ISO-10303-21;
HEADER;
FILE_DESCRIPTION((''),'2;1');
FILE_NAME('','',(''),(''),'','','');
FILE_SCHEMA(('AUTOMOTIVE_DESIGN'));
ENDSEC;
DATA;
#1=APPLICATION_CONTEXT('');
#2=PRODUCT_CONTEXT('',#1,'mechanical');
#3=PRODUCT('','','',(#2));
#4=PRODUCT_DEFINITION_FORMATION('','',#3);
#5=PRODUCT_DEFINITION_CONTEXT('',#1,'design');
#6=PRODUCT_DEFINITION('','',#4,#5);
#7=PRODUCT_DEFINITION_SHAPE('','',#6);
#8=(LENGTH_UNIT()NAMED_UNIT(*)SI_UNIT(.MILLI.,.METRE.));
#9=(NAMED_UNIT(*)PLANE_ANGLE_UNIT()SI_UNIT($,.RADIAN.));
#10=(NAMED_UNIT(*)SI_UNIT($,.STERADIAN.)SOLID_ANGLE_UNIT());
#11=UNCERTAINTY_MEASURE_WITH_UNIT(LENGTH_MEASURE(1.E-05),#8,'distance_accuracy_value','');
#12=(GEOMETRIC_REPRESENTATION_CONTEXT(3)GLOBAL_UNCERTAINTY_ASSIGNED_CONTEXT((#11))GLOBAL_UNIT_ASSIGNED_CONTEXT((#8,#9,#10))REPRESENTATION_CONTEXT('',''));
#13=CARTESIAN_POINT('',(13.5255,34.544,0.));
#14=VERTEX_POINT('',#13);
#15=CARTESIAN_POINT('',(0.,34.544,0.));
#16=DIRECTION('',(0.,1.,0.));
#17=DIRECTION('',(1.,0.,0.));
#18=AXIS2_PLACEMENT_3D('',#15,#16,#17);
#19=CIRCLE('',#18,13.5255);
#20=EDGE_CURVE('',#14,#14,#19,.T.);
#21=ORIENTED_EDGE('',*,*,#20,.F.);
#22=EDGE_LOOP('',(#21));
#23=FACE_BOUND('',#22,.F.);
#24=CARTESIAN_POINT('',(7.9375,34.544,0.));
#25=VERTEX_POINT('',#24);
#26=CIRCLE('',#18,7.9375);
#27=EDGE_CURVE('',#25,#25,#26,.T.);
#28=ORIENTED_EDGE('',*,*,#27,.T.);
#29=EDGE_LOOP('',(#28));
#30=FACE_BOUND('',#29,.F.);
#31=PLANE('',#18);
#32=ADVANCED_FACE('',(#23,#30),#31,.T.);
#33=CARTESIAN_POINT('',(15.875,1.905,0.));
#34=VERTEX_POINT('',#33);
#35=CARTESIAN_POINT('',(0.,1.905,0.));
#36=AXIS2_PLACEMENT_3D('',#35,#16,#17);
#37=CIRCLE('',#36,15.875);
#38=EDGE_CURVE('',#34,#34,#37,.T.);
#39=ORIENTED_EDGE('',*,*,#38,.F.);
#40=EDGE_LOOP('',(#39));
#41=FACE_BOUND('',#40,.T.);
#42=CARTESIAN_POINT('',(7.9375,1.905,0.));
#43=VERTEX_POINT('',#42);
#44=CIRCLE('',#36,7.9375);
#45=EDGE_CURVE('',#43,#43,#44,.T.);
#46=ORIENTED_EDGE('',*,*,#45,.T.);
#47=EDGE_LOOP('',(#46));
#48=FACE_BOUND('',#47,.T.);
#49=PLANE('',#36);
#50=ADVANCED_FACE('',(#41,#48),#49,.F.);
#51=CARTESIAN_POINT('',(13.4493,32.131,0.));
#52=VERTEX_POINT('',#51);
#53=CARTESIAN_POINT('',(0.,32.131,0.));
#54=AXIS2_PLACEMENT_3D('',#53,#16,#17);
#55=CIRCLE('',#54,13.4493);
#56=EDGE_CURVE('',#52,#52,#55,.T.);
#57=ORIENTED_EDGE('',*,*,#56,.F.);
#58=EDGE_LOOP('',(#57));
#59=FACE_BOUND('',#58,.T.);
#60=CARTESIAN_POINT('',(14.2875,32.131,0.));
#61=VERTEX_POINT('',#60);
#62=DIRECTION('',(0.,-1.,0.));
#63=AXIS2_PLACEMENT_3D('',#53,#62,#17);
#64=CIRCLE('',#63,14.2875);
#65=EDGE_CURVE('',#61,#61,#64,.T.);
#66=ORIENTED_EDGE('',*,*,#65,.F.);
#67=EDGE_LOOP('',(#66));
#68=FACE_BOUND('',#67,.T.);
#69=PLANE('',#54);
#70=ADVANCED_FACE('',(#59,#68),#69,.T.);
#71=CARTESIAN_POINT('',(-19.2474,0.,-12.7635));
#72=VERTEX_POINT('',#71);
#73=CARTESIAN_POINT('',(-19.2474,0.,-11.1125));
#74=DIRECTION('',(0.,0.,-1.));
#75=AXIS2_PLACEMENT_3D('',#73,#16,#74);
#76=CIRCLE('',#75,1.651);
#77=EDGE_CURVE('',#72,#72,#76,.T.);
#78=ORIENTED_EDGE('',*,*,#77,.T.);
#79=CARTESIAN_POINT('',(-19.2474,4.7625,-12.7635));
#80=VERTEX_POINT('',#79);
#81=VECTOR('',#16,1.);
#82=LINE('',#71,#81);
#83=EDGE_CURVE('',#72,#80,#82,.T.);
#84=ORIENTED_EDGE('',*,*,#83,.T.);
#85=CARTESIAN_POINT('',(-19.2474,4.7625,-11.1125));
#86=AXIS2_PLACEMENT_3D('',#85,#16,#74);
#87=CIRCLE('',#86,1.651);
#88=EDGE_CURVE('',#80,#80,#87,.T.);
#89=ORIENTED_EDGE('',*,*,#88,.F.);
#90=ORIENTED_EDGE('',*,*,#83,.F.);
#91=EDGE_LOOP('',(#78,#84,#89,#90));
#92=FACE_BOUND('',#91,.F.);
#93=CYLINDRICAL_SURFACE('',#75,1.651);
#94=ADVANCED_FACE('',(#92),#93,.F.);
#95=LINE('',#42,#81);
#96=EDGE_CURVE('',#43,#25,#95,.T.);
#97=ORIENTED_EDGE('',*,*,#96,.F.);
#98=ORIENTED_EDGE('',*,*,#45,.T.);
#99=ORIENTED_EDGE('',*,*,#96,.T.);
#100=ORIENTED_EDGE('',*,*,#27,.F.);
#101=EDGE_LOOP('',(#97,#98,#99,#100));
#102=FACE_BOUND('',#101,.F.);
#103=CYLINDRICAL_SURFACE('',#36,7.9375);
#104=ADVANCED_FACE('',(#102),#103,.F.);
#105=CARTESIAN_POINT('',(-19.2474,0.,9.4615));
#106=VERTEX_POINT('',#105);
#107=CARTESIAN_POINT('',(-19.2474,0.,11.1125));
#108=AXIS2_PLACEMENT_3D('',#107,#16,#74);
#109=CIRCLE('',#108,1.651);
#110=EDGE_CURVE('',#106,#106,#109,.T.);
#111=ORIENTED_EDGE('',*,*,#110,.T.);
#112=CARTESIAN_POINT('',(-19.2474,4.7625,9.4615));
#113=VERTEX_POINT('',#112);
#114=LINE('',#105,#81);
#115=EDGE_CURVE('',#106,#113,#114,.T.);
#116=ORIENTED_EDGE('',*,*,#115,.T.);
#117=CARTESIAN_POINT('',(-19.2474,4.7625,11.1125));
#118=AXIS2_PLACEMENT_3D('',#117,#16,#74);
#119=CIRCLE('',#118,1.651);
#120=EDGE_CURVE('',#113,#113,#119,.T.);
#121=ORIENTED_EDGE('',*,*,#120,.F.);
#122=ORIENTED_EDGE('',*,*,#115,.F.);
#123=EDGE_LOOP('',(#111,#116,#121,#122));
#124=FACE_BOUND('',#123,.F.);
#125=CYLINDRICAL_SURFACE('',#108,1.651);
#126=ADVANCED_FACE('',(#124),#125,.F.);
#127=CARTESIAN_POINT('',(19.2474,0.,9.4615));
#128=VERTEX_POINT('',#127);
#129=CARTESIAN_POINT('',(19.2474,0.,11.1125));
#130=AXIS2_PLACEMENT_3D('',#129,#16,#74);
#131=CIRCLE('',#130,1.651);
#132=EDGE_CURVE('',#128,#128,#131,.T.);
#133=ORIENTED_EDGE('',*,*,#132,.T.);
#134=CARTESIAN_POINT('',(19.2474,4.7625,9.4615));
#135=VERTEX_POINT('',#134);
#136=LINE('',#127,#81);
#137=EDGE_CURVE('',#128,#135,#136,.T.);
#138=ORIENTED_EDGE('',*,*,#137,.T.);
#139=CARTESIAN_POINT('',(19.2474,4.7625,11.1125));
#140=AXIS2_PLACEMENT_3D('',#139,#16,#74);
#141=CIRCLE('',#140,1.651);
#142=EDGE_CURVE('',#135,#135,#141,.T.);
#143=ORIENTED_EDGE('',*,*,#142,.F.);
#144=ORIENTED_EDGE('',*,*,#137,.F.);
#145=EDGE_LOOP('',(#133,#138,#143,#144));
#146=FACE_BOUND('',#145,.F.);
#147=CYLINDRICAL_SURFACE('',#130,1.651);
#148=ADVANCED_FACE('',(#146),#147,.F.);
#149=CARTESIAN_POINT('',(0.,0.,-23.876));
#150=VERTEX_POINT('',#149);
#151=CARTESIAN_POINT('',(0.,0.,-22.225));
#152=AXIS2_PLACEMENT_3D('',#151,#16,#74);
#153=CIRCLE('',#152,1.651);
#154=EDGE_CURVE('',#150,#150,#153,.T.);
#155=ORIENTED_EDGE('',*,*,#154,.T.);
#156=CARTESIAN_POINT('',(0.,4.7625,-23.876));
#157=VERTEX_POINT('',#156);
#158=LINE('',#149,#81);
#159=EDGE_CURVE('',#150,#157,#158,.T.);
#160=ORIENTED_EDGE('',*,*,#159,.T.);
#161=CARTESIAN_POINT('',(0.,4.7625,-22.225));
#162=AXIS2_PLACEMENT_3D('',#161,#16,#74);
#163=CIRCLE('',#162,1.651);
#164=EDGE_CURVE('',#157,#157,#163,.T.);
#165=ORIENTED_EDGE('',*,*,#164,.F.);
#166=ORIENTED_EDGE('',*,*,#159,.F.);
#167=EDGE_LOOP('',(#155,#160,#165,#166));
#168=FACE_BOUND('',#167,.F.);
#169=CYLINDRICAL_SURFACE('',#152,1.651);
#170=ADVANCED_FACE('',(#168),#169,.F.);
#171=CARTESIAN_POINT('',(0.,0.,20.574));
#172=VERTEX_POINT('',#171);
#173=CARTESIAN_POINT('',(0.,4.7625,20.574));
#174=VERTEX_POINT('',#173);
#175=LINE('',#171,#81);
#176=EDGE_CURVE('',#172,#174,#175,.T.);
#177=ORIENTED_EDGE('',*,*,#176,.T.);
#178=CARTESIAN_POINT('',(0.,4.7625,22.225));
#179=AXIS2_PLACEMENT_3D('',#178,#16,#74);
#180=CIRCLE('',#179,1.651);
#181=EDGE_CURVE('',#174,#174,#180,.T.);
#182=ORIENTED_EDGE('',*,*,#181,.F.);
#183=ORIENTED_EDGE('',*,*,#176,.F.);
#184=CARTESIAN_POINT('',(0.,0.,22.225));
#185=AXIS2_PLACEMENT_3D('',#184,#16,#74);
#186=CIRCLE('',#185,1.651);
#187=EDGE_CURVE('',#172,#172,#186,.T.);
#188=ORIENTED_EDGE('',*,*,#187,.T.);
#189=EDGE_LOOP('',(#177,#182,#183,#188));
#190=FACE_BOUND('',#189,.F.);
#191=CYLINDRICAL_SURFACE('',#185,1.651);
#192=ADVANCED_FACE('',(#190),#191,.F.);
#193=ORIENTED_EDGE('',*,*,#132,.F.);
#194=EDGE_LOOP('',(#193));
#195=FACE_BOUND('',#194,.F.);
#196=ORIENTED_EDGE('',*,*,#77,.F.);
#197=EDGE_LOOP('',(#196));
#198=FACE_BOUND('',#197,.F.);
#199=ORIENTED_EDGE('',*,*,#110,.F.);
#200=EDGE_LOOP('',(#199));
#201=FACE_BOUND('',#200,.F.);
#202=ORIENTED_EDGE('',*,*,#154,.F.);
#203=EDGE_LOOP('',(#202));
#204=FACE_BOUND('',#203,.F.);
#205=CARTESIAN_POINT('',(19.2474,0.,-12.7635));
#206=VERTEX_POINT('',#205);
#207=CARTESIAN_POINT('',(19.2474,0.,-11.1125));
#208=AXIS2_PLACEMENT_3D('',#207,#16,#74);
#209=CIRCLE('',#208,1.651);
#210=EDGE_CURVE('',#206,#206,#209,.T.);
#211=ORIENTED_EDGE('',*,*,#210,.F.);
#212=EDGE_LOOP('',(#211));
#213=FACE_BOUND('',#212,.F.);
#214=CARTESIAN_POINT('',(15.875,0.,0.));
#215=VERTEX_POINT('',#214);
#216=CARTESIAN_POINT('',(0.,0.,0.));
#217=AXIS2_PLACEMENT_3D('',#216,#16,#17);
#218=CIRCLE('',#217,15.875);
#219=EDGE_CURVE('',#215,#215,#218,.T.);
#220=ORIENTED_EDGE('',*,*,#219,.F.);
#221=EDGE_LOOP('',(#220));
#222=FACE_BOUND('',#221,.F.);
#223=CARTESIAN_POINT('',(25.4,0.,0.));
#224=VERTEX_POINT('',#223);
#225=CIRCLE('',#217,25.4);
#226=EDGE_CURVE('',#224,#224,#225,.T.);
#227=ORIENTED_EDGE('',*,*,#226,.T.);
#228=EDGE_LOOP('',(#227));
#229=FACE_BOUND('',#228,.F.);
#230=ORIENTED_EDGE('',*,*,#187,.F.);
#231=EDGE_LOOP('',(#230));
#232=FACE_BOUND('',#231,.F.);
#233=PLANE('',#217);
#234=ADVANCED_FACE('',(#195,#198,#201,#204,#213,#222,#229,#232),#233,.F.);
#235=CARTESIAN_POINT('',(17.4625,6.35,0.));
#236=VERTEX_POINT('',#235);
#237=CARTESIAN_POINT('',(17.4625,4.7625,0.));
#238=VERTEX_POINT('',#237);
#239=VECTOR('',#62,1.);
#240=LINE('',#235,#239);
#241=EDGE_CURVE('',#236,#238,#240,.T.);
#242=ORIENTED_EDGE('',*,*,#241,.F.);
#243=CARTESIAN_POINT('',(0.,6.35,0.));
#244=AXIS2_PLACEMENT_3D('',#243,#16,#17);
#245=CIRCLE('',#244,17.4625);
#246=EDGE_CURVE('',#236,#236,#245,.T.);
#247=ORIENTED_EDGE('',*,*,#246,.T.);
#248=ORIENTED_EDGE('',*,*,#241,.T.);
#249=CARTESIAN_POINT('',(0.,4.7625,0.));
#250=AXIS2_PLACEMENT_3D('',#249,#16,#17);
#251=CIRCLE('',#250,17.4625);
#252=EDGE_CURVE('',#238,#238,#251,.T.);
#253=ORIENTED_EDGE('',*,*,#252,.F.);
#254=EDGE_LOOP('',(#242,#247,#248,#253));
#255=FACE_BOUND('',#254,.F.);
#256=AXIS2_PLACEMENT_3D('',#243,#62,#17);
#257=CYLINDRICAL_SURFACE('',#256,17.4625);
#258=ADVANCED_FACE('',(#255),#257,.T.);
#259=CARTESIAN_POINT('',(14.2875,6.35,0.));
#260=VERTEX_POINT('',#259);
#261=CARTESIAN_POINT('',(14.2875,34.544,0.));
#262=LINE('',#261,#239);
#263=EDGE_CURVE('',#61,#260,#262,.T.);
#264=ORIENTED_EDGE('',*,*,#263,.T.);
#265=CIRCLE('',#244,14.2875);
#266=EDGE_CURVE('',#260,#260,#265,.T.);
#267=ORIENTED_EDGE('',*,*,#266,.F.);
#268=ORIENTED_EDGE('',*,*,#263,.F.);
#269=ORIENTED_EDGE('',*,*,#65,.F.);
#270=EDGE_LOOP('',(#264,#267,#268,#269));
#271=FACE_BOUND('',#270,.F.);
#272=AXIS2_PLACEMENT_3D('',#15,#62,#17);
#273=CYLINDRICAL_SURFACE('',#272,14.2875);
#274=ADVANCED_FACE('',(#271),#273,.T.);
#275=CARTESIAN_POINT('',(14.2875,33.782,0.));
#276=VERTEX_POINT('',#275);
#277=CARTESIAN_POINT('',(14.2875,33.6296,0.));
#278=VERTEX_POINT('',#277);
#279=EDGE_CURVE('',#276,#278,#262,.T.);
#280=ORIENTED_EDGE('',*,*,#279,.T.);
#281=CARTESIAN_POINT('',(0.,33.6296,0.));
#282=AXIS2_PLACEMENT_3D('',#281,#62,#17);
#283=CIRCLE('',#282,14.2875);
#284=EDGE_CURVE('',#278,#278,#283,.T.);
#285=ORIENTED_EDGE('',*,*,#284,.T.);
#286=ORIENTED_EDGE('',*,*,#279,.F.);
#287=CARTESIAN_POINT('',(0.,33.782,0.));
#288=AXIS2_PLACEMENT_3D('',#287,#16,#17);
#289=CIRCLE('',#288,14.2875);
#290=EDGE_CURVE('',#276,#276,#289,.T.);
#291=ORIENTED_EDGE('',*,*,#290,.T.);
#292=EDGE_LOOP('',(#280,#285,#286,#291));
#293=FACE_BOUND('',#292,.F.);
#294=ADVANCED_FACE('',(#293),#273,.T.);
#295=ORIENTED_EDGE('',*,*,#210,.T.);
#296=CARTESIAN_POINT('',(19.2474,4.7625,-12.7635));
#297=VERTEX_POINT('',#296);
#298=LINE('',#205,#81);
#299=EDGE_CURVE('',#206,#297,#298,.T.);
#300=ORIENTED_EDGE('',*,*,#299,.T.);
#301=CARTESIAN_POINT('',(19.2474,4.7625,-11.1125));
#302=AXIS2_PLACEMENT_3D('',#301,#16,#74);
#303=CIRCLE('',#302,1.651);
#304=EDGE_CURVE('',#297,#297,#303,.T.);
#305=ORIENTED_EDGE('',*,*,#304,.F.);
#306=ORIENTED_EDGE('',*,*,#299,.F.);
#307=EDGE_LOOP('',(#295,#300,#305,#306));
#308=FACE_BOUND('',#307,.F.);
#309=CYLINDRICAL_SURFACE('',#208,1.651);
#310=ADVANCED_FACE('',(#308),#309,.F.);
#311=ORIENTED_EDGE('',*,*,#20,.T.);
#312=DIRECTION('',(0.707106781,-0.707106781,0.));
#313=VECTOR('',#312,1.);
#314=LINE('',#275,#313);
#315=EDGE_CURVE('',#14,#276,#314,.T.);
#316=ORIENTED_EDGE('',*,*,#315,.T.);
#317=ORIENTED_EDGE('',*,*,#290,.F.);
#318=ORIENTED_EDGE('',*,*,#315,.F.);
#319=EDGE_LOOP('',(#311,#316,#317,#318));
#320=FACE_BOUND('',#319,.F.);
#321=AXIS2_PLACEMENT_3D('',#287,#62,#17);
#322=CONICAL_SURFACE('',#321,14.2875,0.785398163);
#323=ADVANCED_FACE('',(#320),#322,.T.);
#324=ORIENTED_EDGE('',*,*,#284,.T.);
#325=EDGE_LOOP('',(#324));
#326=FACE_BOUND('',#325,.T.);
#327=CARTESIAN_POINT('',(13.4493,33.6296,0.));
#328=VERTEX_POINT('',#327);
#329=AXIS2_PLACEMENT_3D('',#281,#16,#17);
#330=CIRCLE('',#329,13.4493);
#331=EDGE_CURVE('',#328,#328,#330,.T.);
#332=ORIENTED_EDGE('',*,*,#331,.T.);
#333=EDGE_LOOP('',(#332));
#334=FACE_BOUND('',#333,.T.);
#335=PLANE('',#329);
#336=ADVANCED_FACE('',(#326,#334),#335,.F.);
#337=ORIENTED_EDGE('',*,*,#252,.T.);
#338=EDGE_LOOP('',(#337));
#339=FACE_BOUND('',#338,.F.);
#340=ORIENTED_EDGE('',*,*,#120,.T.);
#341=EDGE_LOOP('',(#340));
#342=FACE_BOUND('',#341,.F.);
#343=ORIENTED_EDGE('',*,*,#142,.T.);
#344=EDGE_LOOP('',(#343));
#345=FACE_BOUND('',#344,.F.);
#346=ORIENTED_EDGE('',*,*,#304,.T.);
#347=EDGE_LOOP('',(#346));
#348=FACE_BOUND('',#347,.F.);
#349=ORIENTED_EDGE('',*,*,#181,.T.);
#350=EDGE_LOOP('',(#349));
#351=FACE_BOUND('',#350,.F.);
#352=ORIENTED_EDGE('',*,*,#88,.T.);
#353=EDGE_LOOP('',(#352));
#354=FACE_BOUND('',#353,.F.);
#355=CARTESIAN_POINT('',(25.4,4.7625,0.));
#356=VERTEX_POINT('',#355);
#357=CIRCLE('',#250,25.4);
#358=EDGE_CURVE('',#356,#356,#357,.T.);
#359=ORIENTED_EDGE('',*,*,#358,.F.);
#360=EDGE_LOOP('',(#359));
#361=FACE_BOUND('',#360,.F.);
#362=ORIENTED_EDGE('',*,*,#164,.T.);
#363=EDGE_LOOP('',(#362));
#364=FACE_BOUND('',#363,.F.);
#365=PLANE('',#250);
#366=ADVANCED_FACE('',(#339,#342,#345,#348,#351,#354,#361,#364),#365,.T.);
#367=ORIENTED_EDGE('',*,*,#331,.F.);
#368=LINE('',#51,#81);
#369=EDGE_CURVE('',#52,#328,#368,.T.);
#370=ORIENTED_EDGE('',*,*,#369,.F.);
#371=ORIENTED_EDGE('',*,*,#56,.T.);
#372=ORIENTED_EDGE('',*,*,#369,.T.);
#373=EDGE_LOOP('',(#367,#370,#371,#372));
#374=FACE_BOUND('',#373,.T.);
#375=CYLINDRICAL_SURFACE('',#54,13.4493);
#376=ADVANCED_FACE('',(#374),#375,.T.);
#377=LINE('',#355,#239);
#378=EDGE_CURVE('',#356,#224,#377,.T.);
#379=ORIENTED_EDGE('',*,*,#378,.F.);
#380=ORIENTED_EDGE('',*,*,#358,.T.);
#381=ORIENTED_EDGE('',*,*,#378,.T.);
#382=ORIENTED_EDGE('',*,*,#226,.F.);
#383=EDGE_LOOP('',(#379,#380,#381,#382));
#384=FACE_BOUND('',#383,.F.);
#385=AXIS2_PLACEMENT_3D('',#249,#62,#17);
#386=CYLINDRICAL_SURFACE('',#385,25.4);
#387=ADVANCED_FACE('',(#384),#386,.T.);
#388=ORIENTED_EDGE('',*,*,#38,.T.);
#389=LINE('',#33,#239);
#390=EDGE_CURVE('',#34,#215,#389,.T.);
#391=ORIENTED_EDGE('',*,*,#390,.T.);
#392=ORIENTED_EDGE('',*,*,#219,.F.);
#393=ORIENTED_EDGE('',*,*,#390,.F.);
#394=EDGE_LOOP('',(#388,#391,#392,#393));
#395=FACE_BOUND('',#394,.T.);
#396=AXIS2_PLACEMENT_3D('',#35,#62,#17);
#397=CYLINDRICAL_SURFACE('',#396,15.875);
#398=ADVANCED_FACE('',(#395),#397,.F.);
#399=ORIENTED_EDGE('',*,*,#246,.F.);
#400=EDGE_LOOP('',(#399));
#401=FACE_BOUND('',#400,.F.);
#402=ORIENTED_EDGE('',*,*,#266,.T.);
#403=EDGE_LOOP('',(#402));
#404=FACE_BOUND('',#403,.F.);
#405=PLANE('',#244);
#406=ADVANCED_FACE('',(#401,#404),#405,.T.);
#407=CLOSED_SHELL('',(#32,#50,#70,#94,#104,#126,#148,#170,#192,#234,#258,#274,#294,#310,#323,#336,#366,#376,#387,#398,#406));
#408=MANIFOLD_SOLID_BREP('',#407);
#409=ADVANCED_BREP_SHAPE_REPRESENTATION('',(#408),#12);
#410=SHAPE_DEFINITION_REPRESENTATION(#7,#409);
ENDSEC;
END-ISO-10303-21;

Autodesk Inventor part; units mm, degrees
ref_plane "YZ Plane" through (0, 0, 0) normal (1, 0, 0) x (0, 1, 0)
ref_plane "XZ Plane" through (0, 0, 0) normal (0, 1, 0) x (-1, 0, 0)
ref_plane "XY Plane" through (0, 0, 0) normal (0, 0, 1) x (1, 0, 0)
sketch "Sketch1" plane through (0, 0, 0) normal (0, 0, 1) x (1, 0, 0)
  line L0 (0, 0) -> (0, 30.8582)
  line L1 (7.9375, 1.905) -> (7.9375, 34.544)
  line L2 (7.9375, 34.544) -> (14.2875, 34.544)
  line L3 (14.2875, 34.544) -> (14.2875, 6.35)
  line L4 (17.4625, 4.7625) -> (25.4, 4.7625)
  line L5 (25.4, 4.7625) -> (25.4, 0)
  line L6 (25.4, 0) -> (15.875, 0)
  line L7 (7.9375, 1.905) -> (15.875, 1.905)
  line L8 (15.875, 1.905) -> (15.875, 0)
  line L9 (14.2875, 6.35) -> (17.4625, 6.35)
  line L10 (17.4625, 6.35) -> (17.4625, 4.7625)
  dimension "d0" = 50.8
  dimension "d1" = 15.875
  dimension "d2" = 28.575
  dimension "d3" = 4.7625
  dimension "d19" = 31.75
  dimension "d20" = 1.905
  dimension "d30" = 34.925
  dimension "d31" = 1.5875
  dimension "d34" = 34.544
revolve "Revolution1" add sketch "Sketch1" angle 360 about axis through (0, 0, 0) along (0, 1, 0)
sketch "Sketch4" plane through (0, 0, 0) normal (0, 0, 1) x (1, 0, 0)
  line L0 (13.4493, 33.6296) -> (17.9779, 33.6296)
  line L1 (17.9779, 33.6296) -> (17.9779, 32.131)
  line L2 (17.9779, 32.131) -> (13.4493, 32.131)
  line L3 (13.4493, 32.131) -> (13.4493, 33.6296)
  line L4 (-25.4, 4.7625) -> (25.4, 4.7625) projected
  line L5 (-14.2875, 34.544) -> (14.2875, 34.544) projected
  line L6 (0, 34.544) -> (0, 40.6447)
  line L7 (-17.4625, 6.35) -> (17.4625, 6.35) projected
  point P0 (0, 0)
  dimension "d26" = 1.4986
  dimension "d27" = 26.8986
  dimension "d33" = 25.781
revolve "Revolution2" cut sketch "Sketch4" angle 360 about axis through (0, 34.544, 0) along (0, 1, 0)
chamfer "Chamfer1" distance 0.762 angle 45 1 edges at (-14.2875, 34.544, 0)
sketch "Sketch2" plane through (0, 0, 0) normal (0, -1, 0) x (1, 0, 0)
  circle A0 centre (0, 0) radius 22.225 construction
  point P0 (0, -22.225)
  point P1 (19.2474, -11.1125)
  point P2 (19.2474, 11.1125)
  point P3 (0, 22.225)
  point P4 (-19.2474, 11.1125)
  point P5 (-19.2474, -11.1125)
  dimension "d7" = 44.45
  dimension "d10" = 360
hole "Hole1" at (0, 0, -22.225) at (19.2474, 0, -11.1125) at (19.2474, 0, 11.1125) at (0, 0, 22.225) at (-19.2474, 0, 11.1125) at (-19.2474, 0, -11.1125) direction (0, 1, 0) diameter 3.302 end through all thread size "8-32 UNC" class "2B" standard "ANSI Unified Screw Threads"
properties part number "FLY_006_HoodPivot" material "Aluminum 6061"
